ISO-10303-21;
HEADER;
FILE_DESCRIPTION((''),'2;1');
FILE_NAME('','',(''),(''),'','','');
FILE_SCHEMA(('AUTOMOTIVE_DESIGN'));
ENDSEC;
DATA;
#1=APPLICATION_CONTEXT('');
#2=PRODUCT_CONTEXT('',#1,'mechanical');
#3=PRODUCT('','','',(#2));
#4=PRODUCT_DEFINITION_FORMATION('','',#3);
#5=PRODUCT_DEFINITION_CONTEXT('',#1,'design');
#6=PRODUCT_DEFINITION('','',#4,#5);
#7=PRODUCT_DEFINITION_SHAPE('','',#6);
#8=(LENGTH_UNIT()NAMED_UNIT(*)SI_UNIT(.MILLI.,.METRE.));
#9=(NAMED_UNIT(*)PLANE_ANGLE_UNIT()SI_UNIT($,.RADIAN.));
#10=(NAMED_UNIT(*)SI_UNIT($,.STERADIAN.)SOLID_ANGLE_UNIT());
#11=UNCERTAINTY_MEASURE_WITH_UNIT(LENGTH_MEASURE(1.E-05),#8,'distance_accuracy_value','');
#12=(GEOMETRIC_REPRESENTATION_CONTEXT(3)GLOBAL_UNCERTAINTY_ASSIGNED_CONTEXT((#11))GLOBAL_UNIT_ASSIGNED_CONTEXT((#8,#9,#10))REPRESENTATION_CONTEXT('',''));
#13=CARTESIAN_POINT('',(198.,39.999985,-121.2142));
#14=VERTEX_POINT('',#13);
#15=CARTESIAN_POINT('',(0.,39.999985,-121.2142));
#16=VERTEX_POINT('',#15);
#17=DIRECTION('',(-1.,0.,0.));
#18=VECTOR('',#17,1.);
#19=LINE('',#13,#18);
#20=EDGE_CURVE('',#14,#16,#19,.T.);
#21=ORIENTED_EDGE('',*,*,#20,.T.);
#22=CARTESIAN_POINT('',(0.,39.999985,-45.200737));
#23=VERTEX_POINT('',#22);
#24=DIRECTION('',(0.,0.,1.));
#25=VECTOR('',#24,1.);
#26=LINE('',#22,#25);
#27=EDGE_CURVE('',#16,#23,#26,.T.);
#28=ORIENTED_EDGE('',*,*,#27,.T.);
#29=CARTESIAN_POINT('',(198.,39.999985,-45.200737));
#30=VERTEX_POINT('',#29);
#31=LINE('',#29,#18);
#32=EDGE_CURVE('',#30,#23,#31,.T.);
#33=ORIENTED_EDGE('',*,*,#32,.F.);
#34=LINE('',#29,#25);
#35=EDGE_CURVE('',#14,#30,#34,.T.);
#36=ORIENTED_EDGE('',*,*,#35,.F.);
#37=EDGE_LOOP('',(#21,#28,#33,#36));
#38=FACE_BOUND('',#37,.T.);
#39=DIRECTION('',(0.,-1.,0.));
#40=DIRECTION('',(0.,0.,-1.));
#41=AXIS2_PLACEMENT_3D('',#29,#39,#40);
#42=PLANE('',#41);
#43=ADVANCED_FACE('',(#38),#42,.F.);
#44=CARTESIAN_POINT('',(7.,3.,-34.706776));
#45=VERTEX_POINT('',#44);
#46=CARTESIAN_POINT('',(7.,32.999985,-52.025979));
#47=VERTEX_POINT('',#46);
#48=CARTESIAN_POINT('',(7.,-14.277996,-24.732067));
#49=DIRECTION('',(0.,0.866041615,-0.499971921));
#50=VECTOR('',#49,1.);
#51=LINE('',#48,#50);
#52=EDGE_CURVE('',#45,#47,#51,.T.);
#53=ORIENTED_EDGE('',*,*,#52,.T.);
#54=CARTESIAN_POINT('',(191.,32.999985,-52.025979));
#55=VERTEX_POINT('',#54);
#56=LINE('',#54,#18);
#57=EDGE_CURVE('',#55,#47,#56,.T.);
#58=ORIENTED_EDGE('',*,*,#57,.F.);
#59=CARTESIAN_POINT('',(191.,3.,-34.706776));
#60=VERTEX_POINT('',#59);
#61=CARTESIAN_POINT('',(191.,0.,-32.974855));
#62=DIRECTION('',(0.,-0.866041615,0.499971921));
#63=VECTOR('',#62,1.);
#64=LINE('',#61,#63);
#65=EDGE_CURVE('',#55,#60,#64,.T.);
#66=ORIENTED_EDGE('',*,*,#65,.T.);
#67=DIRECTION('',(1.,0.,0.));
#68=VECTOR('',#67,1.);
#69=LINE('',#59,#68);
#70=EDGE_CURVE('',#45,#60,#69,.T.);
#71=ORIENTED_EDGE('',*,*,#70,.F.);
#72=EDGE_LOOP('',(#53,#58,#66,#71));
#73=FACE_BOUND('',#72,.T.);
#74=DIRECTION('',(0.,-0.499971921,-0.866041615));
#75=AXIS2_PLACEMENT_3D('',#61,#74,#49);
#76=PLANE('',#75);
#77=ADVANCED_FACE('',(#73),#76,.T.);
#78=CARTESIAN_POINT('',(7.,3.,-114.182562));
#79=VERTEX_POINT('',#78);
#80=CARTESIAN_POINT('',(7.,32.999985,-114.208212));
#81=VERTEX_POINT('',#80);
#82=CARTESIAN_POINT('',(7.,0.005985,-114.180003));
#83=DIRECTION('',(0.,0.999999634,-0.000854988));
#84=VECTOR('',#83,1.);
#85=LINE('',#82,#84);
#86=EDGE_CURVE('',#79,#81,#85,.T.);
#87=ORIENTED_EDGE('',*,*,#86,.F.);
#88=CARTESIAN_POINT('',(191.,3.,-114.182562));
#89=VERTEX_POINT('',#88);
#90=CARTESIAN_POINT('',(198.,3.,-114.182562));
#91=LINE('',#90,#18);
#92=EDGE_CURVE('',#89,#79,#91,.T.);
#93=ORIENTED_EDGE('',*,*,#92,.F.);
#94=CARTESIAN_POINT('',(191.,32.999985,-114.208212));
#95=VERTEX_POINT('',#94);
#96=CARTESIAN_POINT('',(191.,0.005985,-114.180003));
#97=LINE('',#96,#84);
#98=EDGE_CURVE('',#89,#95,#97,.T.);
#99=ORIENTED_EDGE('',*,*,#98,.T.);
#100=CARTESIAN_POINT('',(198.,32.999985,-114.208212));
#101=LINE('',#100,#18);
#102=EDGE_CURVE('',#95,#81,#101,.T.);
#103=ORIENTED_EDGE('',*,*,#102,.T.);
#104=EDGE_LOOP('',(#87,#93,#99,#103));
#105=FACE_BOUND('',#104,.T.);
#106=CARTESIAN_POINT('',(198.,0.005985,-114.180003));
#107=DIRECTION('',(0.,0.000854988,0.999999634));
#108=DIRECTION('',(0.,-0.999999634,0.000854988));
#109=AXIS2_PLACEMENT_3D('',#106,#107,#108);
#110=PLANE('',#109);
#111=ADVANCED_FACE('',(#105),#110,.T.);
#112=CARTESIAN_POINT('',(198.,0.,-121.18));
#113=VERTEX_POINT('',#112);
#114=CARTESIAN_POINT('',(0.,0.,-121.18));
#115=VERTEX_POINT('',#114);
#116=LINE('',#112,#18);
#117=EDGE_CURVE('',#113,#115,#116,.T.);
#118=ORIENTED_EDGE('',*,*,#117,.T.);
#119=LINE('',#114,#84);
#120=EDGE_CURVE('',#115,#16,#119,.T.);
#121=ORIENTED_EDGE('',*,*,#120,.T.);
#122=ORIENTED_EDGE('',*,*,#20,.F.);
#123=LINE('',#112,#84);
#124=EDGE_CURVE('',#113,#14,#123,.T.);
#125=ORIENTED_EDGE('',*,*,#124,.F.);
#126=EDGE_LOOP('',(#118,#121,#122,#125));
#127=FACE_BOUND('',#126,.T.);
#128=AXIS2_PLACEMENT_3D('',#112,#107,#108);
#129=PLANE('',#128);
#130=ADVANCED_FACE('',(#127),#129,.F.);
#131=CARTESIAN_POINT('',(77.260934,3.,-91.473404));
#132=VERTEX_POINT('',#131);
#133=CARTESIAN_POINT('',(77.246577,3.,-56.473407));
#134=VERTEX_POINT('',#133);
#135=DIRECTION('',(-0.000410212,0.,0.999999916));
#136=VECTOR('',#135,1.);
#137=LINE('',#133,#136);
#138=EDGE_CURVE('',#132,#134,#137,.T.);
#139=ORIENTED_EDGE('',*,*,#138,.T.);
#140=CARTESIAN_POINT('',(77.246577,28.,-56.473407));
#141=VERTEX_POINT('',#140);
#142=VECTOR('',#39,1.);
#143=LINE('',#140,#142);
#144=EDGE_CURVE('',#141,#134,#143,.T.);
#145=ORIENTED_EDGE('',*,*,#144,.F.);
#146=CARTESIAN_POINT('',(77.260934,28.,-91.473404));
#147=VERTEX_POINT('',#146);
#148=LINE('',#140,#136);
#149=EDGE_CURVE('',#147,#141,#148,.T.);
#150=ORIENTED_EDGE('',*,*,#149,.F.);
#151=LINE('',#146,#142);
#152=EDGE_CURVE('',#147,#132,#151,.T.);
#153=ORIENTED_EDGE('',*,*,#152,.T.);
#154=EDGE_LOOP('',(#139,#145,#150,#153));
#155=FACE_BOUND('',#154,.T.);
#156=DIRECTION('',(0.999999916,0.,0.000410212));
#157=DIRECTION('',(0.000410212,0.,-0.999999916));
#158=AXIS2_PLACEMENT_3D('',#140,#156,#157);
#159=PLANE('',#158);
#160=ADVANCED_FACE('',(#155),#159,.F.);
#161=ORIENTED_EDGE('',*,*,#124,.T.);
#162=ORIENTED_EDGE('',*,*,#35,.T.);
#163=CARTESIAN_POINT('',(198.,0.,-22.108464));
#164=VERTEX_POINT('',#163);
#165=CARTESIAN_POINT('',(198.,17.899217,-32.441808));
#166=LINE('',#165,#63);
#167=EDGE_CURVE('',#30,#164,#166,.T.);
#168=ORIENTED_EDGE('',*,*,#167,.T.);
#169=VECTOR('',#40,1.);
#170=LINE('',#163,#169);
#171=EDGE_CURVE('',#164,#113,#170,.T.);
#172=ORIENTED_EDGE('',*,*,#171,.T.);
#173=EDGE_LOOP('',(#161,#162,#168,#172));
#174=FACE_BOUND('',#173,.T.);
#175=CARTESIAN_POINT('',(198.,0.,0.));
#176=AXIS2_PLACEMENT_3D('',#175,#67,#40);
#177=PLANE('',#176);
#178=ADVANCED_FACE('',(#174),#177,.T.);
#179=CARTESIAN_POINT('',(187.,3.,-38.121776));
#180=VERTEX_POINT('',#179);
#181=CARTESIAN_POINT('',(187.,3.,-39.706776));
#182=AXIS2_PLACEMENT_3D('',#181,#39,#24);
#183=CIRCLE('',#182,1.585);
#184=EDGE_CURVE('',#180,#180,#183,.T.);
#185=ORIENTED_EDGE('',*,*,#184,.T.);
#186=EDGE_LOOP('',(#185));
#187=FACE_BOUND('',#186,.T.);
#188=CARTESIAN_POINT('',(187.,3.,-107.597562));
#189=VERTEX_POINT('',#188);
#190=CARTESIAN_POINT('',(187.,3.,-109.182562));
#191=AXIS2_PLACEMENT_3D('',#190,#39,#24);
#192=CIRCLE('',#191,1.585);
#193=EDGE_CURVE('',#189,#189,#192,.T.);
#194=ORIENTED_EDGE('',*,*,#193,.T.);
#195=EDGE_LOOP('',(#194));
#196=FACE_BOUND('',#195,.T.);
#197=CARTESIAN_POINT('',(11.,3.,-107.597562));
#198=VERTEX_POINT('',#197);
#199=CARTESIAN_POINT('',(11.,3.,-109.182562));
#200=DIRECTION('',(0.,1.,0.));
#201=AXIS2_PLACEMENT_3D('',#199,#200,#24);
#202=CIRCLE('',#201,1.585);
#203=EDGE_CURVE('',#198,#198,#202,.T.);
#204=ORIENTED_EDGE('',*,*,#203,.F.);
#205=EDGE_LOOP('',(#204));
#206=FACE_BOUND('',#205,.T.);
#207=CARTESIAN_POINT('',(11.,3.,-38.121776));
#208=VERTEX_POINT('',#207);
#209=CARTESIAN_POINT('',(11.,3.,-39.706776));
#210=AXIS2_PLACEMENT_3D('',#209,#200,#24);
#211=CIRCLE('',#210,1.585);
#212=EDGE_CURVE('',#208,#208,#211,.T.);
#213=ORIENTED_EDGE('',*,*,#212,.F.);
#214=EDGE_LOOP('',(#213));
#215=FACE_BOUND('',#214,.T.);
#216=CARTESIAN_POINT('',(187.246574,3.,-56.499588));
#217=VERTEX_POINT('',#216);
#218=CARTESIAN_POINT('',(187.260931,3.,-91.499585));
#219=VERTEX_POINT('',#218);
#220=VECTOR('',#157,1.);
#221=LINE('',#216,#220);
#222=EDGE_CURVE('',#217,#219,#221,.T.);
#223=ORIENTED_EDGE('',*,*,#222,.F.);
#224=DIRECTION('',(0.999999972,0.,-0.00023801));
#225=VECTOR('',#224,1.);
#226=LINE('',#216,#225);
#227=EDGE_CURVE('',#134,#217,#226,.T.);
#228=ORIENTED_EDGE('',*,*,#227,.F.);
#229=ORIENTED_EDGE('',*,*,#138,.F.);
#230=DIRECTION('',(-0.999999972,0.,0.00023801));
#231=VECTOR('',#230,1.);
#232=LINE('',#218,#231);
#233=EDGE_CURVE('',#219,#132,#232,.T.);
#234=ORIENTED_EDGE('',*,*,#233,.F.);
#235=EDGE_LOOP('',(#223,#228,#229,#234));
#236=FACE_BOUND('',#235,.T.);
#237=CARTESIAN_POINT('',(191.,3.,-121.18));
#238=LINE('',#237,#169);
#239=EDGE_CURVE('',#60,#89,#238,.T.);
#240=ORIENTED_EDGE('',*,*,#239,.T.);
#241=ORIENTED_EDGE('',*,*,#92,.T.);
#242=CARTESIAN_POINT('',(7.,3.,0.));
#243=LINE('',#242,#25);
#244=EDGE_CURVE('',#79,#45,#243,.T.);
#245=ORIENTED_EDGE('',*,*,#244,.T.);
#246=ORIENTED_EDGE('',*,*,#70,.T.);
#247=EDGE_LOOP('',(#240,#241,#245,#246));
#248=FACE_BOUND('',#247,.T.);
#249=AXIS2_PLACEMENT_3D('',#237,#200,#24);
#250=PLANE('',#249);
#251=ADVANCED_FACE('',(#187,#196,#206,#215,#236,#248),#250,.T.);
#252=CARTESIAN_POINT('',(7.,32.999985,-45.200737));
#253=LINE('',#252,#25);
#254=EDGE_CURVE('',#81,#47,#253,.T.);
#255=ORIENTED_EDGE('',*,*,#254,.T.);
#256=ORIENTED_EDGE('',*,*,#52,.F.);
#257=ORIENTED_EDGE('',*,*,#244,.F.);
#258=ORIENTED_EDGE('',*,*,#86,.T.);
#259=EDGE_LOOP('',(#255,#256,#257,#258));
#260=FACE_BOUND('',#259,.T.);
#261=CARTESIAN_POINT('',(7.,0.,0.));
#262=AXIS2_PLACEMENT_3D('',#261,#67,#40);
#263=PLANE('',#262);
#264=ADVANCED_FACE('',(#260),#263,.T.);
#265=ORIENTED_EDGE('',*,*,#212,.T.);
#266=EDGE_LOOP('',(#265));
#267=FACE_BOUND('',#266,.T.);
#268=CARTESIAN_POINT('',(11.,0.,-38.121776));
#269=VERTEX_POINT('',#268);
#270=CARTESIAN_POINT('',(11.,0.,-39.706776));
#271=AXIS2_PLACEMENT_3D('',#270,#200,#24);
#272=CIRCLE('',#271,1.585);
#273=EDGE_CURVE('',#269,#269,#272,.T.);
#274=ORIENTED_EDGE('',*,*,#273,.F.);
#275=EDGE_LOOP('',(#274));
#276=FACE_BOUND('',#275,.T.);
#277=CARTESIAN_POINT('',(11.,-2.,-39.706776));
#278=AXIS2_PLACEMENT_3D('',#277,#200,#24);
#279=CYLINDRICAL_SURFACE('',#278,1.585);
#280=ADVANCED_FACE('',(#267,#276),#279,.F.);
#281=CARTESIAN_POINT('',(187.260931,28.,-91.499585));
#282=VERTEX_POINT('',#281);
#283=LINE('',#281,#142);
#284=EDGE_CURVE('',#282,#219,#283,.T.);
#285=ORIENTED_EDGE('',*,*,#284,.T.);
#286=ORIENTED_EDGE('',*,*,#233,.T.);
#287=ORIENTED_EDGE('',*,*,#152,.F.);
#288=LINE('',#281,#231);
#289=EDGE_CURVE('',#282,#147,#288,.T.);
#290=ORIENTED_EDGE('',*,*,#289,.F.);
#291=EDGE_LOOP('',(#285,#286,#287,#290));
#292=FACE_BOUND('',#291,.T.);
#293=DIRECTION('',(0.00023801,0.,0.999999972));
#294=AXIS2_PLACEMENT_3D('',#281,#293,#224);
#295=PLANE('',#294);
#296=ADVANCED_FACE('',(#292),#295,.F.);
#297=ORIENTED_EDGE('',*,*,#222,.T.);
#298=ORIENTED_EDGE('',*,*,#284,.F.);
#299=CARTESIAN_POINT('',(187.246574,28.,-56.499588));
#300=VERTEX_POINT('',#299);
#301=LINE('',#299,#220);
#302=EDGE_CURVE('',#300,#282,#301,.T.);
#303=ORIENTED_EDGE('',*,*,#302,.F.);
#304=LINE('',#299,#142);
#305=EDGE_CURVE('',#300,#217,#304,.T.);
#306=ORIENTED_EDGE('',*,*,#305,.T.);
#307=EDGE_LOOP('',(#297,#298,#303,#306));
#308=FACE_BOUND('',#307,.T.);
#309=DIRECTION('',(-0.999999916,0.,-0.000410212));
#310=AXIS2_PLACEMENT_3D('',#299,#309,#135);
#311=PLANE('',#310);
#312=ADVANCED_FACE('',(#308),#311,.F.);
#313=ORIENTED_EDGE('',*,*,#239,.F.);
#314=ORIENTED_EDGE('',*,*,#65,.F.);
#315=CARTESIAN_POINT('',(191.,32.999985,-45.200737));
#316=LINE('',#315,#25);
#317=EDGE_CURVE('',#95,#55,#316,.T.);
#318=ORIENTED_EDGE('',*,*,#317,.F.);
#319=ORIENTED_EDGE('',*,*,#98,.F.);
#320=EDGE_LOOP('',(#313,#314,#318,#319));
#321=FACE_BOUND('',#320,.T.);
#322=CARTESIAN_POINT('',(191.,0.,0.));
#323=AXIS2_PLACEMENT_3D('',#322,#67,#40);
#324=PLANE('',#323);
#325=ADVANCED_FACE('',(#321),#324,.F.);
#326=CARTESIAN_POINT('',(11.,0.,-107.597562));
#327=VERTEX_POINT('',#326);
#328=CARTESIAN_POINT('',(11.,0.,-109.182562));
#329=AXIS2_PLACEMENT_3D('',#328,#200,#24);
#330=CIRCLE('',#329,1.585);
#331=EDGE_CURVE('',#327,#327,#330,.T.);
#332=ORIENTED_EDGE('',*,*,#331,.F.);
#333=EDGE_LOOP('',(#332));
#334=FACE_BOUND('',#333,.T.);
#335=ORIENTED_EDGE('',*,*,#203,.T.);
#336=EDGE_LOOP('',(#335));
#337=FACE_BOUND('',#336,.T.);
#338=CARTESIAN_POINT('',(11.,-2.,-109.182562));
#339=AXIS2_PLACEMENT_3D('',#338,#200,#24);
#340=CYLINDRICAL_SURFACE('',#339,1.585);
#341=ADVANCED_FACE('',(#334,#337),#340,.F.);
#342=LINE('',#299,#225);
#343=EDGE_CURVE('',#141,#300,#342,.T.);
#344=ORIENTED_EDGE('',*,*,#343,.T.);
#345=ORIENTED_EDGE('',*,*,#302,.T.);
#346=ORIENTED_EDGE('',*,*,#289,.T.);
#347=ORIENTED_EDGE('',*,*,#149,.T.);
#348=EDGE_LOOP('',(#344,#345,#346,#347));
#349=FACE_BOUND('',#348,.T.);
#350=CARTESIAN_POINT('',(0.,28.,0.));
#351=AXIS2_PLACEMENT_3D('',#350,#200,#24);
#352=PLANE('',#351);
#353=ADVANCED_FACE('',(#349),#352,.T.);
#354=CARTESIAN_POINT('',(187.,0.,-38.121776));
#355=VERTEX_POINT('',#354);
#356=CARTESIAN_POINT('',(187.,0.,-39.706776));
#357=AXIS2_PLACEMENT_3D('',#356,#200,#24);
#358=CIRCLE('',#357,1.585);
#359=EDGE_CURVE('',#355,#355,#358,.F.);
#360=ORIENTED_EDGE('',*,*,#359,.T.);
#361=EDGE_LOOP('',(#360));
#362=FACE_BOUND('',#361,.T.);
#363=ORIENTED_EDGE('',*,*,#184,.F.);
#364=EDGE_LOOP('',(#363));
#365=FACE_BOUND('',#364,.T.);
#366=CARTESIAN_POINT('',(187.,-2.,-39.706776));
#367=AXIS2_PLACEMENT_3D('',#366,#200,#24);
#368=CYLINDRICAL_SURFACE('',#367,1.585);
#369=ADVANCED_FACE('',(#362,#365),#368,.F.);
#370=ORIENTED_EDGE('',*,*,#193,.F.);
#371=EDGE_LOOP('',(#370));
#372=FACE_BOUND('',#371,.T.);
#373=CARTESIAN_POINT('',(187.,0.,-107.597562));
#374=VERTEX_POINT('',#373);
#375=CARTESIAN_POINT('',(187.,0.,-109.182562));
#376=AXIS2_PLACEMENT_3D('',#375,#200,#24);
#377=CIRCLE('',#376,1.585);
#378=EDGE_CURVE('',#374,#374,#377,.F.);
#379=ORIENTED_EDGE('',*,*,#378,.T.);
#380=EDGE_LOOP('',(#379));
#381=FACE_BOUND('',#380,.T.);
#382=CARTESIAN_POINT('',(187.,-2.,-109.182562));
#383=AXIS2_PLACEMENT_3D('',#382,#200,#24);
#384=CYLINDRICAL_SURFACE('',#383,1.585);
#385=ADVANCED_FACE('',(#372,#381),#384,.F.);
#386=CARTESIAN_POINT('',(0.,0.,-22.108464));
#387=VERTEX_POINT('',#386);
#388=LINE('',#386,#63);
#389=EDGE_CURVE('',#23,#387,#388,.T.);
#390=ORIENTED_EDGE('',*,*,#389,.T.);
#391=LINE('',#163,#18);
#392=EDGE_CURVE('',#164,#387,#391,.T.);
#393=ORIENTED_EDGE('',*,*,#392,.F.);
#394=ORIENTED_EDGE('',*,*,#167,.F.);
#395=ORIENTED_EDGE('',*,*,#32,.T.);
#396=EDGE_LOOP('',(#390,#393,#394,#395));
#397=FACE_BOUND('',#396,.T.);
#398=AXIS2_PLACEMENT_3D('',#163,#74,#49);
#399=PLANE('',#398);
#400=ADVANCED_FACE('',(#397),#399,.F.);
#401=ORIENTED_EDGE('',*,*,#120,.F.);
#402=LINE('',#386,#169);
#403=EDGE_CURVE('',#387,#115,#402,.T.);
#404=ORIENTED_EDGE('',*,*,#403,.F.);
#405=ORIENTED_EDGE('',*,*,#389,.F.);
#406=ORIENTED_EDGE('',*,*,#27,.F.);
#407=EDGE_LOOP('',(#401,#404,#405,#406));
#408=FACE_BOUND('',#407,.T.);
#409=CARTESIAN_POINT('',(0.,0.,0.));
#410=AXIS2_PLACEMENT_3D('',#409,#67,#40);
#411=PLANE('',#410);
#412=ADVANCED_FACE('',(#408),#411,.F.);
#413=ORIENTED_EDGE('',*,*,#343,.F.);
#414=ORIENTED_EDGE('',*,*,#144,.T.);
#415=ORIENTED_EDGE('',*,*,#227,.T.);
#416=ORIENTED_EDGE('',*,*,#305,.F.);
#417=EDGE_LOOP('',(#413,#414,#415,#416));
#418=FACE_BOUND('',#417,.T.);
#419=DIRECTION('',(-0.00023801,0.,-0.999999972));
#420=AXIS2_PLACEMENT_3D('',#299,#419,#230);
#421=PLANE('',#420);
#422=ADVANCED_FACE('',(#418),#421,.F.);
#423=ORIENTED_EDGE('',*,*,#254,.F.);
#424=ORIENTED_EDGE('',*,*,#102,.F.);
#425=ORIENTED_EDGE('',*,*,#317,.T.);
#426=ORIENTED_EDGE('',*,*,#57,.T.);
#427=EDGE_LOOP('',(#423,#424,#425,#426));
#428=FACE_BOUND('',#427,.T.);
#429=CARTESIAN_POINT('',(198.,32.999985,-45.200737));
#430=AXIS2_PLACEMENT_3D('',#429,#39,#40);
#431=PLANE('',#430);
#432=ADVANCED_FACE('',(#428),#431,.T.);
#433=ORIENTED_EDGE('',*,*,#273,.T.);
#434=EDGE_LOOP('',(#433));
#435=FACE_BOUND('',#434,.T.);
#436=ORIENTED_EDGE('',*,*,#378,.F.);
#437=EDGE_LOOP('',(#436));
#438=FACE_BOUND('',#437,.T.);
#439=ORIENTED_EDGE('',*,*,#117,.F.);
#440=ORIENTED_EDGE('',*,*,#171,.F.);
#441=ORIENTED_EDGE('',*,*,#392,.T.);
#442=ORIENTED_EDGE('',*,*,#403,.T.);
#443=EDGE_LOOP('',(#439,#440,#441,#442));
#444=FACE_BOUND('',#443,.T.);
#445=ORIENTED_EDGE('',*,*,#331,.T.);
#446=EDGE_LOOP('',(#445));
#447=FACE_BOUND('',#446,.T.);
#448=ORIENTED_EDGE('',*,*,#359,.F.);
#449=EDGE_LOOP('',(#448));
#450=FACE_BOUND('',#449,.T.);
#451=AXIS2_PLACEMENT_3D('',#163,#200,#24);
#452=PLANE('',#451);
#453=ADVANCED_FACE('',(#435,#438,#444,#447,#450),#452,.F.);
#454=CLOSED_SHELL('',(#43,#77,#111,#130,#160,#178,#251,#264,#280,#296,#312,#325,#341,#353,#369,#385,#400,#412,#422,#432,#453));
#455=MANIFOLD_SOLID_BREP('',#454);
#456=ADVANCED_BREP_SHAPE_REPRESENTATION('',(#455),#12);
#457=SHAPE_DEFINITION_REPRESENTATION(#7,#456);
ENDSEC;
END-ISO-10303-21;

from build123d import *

# Parameters (mm, degrees)
BOSS_EXTRUDE1_DEPTH = 198
SHELL1_T            = -7
BOSS_EXTRUDE2_DEPTH = 191
SKETCH3_W           = 95.245639834
SKETCH3_H           = 3
BOSS_EXTRUDE3_DEPTH = 191
SKETCH4_R           = 1.585
CUT_EXTRUDE1_DEPTH  = 5
BOSS_EXTRUDE4_DEPTH = 25


with BuildPart() as part:
    # Sketch1 → Boss-Extrude1 (new body)
    with BuildSketch(Plane(origin=(0, 0, 0), x_dir=(0, 0, -1), z_dir=(1, 0, 0))):
        Polygon((22.10846405, 0), (32.441807929, 17.899216821), (45.200737204, 39.99998538), (121.214199537, 39.99998538), (121.18, 0), align=None)
    extrude(amount=BOSS_EXTRUDE1_DEPTH)

    # Shell1
    shell1_openings = [part.faces().sort_by_distance(p)[0] for p in [
        (99, 0, -71.644232025),
    ]]
    offset(amount=SHELL1_T, openings=shell1_openings, kind=Kind.INTERSECTION)

    # Sketch2 → Boss-Extrude2 (add)
    with BuildSketch(Plane.ZY):
        Polygon((-30.191216521, 0), (-32.974854852, 0), (-52.025978727, 32.99998538), (-49.242340395, 32.99998538), align=None)
    extrude(amount=-BOSS_EXTRUDE2_DEPTH)

    # Sketch3 → Boss-Extrude3 (add)
    with BuildSketch(Plane.ZY):
        with Locations((-73.557180083, 1.5)):
            Rectangle(SKETCH3_W, SKETCH3_H)
    extrude(amount=-BOSS_EXTRUDE3_DEPTH)

    # Sketch4 → Cut-Extrude1 (cut)
    with BuildSketch(Plane(origin=(0, 3, 0), x_dir=(1, 0, 0), z_dir=(0, 1, 0))):
        with Locations(Location((11, 109.182562408, 0), (0, 0, 270))):
            Circle(SKETCH4_R)
        with Locations(Location((11, 39.706775972, 0), (0, 0, 270))):
            Circle(SKETCH4_R)
    cut_extrude1 = extrude(amount=-CUT_EXTRUDE1_DEPTH, mode=Mode.SUBTRACT)

    # Mirror1: Cut-Extrude1 across plane
    add(cut_extrude1.mirror(Plane(origin=(99, 0, 0), x_dir=(0, 0, 1), z_dir=(1, 0, 0))), mode=Mode.SUBTRACT)

    # Sketch5 → Boss-Extrude4 (add)
    with BuildSketch(Plane(origin=(0, 3, 0), x_dir=(1, 0, 0), z_dir=(0, 1, 0))):
        Polygon((187.246573538, 56.499587918), (77.246576653, 56.473406784), (77.260934082, 91.473403839), (187.260930967, 91.499584973), align=None)
    extrude(amount=BOSS_EXTRUDE4_DEPTH)


solid = part.part
